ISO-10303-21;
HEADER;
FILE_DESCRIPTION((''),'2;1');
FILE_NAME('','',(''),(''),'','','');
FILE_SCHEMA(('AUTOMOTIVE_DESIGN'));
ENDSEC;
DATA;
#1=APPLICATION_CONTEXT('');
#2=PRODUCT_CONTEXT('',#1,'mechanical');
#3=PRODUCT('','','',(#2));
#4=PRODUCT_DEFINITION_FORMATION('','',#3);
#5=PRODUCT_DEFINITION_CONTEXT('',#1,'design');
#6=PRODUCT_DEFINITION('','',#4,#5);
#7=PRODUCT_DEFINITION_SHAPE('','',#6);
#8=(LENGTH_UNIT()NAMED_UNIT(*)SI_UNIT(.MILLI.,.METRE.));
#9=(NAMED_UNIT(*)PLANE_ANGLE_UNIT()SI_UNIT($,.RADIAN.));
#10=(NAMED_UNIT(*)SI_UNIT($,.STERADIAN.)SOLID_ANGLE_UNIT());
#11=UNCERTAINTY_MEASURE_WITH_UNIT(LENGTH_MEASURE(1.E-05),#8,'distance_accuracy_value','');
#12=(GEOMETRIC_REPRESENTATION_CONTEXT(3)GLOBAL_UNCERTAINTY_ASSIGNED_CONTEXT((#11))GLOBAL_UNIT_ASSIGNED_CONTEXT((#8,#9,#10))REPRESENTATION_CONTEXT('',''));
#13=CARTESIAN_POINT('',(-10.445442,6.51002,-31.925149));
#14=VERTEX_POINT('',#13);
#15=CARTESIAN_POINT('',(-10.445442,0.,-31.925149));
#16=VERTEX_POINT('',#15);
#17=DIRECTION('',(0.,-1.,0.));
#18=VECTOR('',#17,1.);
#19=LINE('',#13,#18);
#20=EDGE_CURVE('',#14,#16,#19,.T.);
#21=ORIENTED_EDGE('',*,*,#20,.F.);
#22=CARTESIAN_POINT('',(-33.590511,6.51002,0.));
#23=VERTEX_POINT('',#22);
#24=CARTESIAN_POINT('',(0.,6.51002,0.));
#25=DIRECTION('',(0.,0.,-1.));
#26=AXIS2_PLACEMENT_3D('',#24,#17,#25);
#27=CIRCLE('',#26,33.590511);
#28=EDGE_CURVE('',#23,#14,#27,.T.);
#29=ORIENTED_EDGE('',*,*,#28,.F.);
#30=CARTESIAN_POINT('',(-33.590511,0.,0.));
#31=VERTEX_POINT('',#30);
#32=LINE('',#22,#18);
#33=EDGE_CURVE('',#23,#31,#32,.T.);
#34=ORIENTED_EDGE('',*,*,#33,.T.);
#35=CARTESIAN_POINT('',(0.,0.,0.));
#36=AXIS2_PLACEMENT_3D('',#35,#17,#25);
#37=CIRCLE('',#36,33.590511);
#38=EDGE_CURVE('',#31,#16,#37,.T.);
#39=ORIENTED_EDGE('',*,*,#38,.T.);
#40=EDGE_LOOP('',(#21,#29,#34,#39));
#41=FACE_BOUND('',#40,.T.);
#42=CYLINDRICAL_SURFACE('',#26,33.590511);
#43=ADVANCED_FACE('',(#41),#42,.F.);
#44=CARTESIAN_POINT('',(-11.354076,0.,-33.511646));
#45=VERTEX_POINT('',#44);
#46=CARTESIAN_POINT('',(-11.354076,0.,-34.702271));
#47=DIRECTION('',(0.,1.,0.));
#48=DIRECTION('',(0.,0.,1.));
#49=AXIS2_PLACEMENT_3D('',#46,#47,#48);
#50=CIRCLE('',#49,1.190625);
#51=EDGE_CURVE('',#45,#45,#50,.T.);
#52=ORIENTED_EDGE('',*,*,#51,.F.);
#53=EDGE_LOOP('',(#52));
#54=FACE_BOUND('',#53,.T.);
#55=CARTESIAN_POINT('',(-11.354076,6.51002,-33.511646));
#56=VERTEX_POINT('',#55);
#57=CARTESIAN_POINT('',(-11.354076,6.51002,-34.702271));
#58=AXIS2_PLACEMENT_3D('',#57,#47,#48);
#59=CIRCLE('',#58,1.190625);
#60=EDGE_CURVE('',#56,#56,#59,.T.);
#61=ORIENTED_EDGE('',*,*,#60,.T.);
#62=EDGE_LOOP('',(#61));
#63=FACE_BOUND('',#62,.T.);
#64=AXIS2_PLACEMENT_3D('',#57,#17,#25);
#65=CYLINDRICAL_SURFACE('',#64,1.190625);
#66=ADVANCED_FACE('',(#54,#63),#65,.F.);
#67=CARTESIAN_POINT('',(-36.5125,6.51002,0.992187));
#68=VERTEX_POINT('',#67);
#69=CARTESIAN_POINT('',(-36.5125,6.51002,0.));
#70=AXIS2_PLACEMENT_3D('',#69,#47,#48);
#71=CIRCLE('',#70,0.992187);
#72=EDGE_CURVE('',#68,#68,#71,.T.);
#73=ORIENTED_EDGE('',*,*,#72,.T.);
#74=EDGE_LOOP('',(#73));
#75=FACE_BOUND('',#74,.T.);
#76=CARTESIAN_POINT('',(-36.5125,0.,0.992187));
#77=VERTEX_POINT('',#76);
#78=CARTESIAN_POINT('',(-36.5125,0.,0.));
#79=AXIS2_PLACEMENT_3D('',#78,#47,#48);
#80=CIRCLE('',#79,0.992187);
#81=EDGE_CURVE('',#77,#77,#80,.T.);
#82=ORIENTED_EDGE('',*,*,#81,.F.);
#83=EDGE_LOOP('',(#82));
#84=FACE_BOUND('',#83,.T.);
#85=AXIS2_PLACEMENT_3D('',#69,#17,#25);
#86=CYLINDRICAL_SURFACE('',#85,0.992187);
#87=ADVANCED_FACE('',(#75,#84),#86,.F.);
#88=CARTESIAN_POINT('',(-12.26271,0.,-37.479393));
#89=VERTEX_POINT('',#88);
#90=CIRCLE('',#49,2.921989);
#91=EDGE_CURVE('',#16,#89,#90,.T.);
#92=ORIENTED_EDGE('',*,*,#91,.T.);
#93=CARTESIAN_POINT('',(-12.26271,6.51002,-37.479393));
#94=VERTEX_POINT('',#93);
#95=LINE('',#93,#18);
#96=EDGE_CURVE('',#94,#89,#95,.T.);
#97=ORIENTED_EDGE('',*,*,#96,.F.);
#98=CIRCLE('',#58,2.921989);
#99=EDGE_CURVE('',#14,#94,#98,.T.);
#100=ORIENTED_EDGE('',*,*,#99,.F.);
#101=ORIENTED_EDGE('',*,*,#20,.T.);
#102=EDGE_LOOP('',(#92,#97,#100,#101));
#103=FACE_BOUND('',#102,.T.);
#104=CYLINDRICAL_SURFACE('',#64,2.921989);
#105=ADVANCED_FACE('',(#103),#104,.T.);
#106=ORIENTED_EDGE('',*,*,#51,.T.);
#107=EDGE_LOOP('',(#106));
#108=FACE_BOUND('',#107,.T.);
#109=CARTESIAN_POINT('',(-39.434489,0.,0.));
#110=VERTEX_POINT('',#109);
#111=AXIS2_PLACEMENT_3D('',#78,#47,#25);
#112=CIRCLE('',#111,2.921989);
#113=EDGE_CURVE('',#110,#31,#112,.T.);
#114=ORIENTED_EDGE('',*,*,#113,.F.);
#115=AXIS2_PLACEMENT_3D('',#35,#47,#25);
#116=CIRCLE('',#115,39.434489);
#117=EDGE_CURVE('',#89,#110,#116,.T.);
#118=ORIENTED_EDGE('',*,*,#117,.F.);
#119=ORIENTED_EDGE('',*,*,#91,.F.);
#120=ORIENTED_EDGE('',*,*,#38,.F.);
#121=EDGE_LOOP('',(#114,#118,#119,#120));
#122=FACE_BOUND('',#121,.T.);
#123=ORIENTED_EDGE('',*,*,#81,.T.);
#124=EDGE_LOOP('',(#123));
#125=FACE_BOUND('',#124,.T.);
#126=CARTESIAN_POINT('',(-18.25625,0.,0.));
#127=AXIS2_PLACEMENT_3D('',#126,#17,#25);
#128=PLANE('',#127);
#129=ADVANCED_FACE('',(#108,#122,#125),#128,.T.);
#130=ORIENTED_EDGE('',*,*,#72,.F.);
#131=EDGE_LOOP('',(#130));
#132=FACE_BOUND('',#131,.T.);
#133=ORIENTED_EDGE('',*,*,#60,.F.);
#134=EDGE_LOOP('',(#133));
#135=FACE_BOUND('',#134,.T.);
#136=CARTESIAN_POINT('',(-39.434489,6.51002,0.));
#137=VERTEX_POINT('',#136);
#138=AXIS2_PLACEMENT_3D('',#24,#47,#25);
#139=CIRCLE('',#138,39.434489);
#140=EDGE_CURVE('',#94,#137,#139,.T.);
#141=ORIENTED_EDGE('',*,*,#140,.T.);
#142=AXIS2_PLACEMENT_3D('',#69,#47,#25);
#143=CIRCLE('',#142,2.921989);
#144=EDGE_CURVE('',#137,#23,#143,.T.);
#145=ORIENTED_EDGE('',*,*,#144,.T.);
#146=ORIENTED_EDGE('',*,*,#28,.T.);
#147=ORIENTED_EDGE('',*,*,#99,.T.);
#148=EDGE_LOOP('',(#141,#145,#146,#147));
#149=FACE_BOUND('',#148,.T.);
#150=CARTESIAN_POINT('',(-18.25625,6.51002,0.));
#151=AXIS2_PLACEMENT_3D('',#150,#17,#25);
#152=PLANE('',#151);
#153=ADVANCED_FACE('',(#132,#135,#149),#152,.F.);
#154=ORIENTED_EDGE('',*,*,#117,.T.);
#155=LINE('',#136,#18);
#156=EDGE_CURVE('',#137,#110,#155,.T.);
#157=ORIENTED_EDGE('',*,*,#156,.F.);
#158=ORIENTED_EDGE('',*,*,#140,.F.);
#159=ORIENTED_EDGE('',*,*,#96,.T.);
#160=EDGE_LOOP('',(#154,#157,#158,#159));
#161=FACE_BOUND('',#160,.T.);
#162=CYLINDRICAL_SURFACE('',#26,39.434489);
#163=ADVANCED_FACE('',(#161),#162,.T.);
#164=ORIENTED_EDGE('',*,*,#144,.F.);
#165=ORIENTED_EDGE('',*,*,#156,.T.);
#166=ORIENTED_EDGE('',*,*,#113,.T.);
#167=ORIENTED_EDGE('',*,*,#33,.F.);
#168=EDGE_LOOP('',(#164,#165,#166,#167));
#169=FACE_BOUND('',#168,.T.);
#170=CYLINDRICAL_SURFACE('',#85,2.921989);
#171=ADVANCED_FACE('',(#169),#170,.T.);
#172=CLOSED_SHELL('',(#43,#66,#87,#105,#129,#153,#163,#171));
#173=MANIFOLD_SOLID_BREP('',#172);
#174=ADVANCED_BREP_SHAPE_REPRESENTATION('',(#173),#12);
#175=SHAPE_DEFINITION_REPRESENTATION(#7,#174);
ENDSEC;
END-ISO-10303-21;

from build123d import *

# Parameters (mm, degrees)
SKETCH1_R           = 0.9921875
SKETCH1_R_2         = 1.190625
BOSS_EXTRUDE1_DEPTH = 6.51002


with BuildPart() as part:
    # Sketch1 → Boss-Extrude1 (new body)
    with BuildSketch(Plane(origin=(0, 0, 0), x_dir=(1, 0, 0), z_dir=(0, 1, 0))):
        with BuildLine():
            ThreePointArc((-33.590510807, 0), (-27.195497439, 19.716169387), (-10.445442396, 31.925149168))
            ThreePointArc((-10.445442396, 31.925149168), (-8.576954256, 35.610904689), (-12.262709777, 37.479392829))
            ThreePointArc((-12.262709777, 37.479392829), (-31.926890188, 23.146330613), (-39.434489193, 0))
            ThreePointArc((-39.434489193, 0), (-36.5125, -2.921989193), (-33.590510807, 0))
        make_face()
        with Locations((-36.5125, 0)):
            Circle(SKETCH1_R, mode=Mode.SUBTRACT)
        with Locations((-11.354076087, 34.702270999)):
            Circle(SKETCH1_R_2, mode=Mode.SUBTRACT)
    extrude(amount=BOSS_EXTRUDE1_DEPTH)


solid = part.part
